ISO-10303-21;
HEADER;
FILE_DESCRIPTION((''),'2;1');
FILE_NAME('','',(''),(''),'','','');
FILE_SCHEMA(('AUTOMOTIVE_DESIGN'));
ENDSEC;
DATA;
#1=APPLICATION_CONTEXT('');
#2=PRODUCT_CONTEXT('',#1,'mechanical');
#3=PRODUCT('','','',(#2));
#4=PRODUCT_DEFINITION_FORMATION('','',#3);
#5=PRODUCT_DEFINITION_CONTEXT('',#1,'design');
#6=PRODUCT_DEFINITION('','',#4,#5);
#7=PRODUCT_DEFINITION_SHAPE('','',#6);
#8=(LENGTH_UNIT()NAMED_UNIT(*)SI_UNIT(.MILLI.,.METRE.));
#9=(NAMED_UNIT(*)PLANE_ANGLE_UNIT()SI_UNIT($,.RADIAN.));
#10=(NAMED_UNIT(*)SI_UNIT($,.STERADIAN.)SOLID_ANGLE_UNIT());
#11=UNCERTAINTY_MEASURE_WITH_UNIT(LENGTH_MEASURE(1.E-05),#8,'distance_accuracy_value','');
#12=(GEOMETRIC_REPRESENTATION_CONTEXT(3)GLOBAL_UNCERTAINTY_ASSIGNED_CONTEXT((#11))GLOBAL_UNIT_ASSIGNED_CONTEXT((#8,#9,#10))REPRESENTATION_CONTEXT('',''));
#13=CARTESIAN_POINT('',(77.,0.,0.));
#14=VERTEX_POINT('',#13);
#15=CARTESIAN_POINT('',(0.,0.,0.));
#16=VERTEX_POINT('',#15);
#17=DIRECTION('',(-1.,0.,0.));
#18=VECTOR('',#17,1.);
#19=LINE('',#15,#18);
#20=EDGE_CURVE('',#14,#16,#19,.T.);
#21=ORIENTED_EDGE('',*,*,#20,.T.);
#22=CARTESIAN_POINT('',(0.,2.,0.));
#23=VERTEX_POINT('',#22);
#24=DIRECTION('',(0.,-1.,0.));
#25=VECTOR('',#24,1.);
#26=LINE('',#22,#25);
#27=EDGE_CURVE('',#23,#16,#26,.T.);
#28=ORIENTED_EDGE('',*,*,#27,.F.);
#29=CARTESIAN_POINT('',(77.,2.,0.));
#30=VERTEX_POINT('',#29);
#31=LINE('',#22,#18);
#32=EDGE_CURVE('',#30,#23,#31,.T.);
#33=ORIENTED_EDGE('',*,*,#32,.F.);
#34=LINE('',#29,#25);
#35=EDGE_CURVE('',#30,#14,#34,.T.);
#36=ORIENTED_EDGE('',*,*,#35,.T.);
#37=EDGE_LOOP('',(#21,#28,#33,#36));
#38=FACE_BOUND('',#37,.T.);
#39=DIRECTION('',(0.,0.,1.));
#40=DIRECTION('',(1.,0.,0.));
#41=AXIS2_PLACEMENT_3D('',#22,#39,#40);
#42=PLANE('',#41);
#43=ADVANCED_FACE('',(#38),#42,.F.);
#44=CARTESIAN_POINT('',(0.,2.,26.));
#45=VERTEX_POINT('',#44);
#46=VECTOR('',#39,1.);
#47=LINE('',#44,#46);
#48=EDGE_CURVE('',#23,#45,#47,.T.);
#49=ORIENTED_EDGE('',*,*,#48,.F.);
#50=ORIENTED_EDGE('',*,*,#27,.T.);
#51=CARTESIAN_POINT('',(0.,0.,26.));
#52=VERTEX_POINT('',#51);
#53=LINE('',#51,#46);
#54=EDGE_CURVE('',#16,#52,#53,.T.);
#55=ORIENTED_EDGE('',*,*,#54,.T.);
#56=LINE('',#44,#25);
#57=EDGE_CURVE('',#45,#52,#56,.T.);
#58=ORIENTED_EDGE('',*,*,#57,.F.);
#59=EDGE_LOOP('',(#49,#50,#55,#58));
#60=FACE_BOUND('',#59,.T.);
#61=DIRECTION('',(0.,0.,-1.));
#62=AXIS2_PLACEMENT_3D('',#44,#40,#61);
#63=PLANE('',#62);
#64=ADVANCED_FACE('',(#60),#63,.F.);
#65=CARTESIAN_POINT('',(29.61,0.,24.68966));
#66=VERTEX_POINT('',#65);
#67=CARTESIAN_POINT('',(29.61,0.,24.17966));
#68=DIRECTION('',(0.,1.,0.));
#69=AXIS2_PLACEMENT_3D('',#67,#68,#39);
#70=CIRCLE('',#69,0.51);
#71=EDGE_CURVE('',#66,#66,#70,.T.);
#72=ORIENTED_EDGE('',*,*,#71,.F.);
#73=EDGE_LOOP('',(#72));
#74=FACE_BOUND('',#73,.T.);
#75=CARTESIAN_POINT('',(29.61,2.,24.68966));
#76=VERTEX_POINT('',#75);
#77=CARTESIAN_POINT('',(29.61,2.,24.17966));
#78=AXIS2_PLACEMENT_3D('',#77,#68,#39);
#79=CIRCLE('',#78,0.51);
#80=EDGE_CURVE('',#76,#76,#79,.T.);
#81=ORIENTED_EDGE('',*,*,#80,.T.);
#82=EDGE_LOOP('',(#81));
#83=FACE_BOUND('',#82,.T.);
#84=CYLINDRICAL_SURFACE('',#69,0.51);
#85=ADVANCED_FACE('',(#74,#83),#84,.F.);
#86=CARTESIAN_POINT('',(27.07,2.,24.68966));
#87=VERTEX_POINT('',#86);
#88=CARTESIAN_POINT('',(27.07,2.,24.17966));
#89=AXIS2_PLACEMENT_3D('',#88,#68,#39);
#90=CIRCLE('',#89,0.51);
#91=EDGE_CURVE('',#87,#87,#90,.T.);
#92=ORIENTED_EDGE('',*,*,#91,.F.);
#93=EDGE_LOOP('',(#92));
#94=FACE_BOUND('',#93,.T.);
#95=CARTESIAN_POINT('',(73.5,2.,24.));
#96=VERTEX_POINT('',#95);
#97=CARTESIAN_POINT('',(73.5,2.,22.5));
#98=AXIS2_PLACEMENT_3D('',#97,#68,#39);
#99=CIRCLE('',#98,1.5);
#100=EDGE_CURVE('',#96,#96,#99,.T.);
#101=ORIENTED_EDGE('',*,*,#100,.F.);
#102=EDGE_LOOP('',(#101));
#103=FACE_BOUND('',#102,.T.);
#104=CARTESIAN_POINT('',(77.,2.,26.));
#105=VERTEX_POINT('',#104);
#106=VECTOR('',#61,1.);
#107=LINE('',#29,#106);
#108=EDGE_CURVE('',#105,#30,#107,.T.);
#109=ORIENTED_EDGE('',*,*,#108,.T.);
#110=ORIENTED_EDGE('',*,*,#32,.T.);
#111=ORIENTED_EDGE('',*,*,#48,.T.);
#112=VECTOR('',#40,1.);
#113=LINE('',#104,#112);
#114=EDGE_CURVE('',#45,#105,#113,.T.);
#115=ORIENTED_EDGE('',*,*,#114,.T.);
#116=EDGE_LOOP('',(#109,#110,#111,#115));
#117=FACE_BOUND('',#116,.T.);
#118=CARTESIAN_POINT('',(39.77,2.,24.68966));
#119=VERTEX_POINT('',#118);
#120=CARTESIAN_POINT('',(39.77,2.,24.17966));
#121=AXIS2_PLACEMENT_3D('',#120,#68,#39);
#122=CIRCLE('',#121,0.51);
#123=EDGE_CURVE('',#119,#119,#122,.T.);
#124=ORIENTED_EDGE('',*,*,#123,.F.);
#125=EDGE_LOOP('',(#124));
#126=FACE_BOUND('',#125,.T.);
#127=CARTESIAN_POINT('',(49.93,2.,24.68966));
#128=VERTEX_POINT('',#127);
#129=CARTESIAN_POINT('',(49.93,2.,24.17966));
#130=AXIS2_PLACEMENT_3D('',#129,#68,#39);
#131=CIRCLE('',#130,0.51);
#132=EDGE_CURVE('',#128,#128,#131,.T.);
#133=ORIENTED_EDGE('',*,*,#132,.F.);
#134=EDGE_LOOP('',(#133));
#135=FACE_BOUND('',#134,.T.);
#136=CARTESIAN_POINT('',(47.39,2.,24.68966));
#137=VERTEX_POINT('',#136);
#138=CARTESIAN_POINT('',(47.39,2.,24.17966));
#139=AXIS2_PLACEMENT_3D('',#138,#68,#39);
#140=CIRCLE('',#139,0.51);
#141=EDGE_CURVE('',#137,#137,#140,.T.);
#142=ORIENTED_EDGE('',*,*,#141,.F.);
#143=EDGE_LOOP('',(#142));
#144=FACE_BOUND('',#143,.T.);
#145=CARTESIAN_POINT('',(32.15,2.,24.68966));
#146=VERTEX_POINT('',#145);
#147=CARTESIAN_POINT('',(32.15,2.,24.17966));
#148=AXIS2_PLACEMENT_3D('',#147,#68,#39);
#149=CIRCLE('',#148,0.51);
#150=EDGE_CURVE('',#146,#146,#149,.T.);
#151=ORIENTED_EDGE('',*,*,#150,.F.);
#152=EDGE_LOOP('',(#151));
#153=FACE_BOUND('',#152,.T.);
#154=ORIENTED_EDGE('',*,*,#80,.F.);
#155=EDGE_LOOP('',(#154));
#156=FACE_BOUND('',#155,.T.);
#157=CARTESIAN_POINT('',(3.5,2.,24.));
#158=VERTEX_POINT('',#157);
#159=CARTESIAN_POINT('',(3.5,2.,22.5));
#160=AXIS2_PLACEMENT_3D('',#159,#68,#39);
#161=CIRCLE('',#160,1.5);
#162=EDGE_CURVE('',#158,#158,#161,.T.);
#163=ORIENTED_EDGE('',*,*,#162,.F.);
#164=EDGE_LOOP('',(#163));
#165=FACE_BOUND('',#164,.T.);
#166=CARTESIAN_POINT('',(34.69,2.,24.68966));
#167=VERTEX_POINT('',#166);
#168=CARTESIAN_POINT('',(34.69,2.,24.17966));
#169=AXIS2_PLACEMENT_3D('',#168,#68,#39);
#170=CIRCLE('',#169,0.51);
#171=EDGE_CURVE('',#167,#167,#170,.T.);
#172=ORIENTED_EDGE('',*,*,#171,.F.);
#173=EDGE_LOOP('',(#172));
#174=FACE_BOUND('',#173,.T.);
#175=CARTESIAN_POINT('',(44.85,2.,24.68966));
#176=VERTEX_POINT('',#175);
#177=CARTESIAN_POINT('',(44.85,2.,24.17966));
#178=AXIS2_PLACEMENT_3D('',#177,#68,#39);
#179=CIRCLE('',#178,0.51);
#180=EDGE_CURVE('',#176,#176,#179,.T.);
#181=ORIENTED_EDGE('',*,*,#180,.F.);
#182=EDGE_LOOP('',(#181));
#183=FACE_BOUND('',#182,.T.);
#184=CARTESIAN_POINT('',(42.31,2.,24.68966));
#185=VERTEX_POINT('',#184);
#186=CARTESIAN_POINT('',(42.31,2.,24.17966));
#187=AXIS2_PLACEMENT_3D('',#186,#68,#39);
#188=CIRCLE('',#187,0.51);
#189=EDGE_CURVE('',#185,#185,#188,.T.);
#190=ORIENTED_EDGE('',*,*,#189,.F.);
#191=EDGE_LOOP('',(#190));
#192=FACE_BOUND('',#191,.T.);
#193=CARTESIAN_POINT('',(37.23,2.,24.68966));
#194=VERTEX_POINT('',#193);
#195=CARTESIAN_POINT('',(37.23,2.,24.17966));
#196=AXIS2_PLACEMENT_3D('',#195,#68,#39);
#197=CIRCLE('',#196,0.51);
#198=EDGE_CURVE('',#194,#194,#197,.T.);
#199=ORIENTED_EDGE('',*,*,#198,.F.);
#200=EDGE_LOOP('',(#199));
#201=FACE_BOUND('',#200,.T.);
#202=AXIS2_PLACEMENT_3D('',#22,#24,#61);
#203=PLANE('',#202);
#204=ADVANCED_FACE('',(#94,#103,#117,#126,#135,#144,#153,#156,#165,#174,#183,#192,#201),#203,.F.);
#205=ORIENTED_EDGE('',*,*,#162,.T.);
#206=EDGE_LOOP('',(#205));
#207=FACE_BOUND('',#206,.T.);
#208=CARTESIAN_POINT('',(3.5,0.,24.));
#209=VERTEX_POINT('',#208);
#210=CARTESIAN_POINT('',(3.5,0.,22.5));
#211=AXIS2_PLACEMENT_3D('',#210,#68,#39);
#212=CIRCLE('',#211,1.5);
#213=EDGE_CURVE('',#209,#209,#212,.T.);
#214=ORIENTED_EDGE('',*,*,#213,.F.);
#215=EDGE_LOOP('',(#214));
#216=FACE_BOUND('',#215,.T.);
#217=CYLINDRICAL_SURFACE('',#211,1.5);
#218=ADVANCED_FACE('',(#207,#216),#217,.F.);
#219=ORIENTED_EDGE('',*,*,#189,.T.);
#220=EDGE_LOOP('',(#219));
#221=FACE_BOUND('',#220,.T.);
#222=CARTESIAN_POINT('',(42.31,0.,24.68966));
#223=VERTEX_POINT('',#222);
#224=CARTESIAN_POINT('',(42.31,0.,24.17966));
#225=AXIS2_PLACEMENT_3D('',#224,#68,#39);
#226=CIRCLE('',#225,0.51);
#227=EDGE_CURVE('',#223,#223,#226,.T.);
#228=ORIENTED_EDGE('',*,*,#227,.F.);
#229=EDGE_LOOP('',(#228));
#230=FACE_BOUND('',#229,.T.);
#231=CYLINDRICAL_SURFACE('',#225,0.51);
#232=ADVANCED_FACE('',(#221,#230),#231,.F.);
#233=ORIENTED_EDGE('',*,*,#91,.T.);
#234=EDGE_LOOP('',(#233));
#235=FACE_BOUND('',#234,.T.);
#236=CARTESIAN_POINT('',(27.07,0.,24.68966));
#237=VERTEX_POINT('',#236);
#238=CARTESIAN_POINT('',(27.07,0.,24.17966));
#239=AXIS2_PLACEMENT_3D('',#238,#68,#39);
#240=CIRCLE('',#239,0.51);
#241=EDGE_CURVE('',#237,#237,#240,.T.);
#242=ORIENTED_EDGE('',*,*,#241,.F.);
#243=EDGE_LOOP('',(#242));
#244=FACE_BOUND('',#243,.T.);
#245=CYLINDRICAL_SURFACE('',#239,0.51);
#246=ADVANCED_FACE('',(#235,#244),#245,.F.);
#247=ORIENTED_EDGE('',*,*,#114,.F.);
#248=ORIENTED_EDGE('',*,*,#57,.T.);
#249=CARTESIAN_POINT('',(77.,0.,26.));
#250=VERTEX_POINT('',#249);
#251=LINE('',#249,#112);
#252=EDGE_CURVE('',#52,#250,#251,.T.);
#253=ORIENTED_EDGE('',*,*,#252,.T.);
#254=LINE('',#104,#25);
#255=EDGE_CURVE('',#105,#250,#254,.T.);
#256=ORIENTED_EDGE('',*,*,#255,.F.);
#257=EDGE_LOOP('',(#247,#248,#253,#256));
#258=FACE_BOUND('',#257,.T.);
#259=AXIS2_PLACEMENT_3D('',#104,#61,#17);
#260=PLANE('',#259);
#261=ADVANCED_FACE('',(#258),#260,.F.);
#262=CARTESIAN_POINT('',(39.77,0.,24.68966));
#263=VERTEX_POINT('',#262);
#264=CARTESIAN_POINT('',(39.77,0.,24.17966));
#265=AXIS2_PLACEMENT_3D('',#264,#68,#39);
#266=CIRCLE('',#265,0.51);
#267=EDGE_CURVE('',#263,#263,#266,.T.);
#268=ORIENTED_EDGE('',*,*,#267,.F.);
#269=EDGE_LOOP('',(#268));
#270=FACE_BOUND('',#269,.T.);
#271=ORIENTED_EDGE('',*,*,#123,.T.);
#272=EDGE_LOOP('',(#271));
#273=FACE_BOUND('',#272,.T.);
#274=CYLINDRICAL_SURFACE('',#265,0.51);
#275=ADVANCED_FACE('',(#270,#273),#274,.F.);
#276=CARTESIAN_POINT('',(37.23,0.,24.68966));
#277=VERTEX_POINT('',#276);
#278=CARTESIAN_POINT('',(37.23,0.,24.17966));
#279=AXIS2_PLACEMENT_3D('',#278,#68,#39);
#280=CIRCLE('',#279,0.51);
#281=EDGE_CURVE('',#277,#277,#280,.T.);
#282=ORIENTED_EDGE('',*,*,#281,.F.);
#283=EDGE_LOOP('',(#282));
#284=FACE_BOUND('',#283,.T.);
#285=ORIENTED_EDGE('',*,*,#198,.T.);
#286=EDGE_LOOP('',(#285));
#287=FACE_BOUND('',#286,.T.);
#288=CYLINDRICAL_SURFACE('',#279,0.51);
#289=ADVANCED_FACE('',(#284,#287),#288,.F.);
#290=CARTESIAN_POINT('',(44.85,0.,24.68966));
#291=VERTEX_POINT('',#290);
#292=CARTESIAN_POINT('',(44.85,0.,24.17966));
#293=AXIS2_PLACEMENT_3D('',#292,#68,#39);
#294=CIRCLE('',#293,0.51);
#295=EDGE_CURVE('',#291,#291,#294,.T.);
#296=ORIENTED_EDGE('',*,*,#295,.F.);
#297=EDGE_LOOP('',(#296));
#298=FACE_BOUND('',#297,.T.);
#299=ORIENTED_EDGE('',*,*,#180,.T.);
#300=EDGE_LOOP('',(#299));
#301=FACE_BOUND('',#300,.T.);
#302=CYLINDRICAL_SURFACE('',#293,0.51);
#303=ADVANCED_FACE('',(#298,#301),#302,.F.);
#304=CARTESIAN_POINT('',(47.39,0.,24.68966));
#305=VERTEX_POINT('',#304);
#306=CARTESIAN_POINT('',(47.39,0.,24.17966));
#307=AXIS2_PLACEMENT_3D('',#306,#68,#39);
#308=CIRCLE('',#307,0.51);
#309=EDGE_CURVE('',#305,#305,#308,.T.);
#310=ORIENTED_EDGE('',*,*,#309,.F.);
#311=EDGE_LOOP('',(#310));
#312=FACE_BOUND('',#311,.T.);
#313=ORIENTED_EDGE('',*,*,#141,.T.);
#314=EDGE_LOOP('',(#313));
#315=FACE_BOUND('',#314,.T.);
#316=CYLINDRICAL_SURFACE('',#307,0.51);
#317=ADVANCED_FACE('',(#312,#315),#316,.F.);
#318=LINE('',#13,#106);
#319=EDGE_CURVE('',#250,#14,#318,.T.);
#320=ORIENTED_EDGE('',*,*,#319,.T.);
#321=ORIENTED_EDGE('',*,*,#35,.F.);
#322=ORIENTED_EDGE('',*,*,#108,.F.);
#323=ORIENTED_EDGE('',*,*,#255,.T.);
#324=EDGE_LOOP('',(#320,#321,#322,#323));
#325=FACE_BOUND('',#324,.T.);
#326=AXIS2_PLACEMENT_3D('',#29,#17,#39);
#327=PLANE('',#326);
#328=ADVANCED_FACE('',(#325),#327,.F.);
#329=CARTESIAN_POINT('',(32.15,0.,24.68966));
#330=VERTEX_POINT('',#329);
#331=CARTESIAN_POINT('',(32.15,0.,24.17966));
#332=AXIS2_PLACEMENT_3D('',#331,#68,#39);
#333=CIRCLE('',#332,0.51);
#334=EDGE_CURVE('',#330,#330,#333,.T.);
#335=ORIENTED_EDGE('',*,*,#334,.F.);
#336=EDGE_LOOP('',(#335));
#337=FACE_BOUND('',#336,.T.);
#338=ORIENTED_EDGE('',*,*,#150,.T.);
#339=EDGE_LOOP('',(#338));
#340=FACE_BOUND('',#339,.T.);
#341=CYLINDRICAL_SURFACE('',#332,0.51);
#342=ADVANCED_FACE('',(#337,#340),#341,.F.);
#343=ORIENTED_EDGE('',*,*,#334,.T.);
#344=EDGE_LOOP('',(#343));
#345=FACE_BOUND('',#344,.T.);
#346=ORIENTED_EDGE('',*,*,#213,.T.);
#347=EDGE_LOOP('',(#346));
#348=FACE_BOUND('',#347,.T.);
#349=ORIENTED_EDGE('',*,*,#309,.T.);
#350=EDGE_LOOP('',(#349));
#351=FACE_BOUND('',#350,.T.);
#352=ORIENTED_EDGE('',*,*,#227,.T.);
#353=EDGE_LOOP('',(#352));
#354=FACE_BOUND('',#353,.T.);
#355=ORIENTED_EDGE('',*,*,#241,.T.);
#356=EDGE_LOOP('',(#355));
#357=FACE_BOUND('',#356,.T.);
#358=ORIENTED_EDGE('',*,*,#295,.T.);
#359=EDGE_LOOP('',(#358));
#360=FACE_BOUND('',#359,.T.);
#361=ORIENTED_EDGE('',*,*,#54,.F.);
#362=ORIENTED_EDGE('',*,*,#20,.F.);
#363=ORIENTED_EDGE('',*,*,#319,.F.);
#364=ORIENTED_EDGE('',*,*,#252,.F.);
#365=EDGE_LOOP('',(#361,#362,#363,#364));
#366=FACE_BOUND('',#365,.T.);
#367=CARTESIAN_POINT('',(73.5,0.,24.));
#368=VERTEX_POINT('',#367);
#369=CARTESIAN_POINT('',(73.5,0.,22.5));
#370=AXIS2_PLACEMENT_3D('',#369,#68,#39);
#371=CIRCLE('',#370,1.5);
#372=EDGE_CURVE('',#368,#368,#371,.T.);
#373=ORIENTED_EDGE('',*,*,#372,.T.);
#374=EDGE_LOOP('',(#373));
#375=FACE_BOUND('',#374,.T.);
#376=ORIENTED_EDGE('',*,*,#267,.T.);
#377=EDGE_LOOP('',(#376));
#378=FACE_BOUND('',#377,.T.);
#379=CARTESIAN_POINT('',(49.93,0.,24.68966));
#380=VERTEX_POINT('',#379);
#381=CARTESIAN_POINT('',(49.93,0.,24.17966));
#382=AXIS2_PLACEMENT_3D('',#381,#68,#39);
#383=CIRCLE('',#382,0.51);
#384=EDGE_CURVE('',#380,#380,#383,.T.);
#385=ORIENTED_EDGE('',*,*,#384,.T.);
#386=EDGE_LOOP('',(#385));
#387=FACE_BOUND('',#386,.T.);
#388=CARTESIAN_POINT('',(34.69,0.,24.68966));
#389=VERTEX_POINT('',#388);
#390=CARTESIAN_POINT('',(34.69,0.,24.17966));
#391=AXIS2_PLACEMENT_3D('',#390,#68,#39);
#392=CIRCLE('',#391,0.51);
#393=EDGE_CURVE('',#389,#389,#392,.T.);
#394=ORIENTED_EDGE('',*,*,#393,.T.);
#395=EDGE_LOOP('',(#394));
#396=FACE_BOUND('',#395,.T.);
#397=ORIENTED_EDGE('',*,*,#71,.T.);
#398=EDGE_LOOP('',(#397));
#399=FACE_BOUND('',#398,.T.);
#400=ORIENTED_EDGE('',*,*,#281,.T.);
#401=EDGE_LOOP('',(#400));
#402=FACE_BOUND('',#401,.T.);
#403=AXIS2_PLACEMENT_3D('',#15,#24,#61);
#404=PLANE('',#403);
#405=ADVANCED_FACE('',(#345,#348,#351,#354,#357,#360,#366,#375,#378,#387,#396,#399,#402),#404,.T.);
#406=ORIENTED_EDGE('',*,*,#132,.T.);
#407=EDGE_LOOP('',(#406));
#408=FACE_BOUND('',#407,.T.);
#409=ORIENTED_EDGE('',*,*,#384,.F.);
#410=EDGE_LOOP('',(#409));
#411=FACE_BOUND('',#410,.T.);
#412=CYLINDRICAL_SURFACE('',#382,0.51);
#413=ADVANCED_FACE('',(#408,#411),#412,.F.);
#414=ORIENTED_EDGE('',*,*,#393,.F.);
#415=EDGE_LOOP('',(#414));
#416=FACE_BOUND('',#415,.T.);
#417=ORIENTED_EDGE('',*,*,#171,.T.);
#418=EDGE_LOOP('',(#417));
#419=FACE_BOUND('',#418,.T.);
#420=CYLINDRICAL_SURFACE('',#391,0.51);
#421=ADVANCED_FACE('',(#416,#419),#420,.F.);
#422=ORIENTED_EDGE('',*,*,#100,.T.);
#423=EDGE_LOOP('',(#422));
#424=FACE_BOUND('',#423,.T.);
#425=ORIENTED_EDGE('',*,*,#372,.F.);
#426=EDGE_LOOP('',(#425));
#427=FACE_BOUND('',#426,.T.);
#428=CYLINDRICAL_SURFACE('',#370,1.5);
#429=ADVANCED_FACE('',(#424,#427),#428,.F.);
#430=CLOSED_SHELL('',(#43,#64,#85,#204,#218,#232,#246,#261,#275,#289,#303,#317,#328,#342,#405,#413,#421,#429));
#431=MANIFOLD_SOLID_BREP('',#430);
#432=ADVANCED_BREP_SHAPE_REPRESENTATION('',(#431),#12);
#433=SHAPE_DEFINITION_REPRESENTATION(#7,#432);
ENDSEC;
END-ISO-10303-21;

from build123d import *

# Parameters (mm, degrees)
SKETCH1_W           = 77
SKETCH1_H           = 26
BOSS_EXTRUDE1_DEPTH = 2
SKETCH2_R           = 1.5
CUT_EXTRUDE1_DEPTH  = 2
SKETCH3_R           = 0.51
CUT_EXTRUDE2_DEPTH  = 2


with BuildPart() as part:
    # Sketch1 → Boss-Extrude1 (new body)
    with BuildSketch(Plane(origin=(0, 0, 0), x_dir=(1, 0, 0), z_dir=(0, 1, 0))):
        with Locations((38.5, -13)):
            Rectangle(SKETCH1_W, SKETCH1_H)
    extrude(amount=BOSS_EXTRUDE1_DEPTH)

    # Sketch2 → Cut-Extrude1 (cut)
    with BuildSketch(Plane(origin=(0, 2, 0), x_dir=(1, 0, 0), z_dir=(0, 1, 0))):
        with Locations((3.5, -22.5)):
            Circle(SKETCH2_R)
        with Locations((73.5, -22.5)):
            Circle(SKETCH2_R)
    extrude(amount=-CUT_EXTRUDE1_DEPTH, mode=Mode.SUBTRACT)

    # Sketch3 → Cut-Extrude2 (cut)
    with BuildSketch(Plane(origin=(0, 2, 0), x_dir=(1, 0, 0), z_dir=(0, 1, 0))):
        with Locations((37.23, -24.179660029)):
            Circle(SKETCH3_R)
        with Locations((34.69, -24.179660029)):
            Circle(SKETCH3_R)
        with Locations((32.15, -24.179660029)):
            Circle(SKETCH3_R)
        with Locations((29.61, -24.179660029)):
            Circle(SKETCH3_R)
        with Locations((27.07, -24.179660029)):
            Circle(SKETCH3_R)
        with Locations((39.77, -24.179660029)):
            Circle(SKETCH3_R)
        with Locations((42.31, -24.179660029)):
            Circle(SKETCH3_R)
        with Locations((44.85, -24.179660029)):
            Circle(SKETCH3_R)
        with Locations((47.39, -24.179660029)):
            Circle(SKETCH3_R)
        with Locations((49.93, -24.179660029)):
            Circle(SKETCH3_R)
    extrude(amount=-CUT_EXTRUDE2_DEPTH, mode=Mode.SUBTRACT)


solid = part.part
